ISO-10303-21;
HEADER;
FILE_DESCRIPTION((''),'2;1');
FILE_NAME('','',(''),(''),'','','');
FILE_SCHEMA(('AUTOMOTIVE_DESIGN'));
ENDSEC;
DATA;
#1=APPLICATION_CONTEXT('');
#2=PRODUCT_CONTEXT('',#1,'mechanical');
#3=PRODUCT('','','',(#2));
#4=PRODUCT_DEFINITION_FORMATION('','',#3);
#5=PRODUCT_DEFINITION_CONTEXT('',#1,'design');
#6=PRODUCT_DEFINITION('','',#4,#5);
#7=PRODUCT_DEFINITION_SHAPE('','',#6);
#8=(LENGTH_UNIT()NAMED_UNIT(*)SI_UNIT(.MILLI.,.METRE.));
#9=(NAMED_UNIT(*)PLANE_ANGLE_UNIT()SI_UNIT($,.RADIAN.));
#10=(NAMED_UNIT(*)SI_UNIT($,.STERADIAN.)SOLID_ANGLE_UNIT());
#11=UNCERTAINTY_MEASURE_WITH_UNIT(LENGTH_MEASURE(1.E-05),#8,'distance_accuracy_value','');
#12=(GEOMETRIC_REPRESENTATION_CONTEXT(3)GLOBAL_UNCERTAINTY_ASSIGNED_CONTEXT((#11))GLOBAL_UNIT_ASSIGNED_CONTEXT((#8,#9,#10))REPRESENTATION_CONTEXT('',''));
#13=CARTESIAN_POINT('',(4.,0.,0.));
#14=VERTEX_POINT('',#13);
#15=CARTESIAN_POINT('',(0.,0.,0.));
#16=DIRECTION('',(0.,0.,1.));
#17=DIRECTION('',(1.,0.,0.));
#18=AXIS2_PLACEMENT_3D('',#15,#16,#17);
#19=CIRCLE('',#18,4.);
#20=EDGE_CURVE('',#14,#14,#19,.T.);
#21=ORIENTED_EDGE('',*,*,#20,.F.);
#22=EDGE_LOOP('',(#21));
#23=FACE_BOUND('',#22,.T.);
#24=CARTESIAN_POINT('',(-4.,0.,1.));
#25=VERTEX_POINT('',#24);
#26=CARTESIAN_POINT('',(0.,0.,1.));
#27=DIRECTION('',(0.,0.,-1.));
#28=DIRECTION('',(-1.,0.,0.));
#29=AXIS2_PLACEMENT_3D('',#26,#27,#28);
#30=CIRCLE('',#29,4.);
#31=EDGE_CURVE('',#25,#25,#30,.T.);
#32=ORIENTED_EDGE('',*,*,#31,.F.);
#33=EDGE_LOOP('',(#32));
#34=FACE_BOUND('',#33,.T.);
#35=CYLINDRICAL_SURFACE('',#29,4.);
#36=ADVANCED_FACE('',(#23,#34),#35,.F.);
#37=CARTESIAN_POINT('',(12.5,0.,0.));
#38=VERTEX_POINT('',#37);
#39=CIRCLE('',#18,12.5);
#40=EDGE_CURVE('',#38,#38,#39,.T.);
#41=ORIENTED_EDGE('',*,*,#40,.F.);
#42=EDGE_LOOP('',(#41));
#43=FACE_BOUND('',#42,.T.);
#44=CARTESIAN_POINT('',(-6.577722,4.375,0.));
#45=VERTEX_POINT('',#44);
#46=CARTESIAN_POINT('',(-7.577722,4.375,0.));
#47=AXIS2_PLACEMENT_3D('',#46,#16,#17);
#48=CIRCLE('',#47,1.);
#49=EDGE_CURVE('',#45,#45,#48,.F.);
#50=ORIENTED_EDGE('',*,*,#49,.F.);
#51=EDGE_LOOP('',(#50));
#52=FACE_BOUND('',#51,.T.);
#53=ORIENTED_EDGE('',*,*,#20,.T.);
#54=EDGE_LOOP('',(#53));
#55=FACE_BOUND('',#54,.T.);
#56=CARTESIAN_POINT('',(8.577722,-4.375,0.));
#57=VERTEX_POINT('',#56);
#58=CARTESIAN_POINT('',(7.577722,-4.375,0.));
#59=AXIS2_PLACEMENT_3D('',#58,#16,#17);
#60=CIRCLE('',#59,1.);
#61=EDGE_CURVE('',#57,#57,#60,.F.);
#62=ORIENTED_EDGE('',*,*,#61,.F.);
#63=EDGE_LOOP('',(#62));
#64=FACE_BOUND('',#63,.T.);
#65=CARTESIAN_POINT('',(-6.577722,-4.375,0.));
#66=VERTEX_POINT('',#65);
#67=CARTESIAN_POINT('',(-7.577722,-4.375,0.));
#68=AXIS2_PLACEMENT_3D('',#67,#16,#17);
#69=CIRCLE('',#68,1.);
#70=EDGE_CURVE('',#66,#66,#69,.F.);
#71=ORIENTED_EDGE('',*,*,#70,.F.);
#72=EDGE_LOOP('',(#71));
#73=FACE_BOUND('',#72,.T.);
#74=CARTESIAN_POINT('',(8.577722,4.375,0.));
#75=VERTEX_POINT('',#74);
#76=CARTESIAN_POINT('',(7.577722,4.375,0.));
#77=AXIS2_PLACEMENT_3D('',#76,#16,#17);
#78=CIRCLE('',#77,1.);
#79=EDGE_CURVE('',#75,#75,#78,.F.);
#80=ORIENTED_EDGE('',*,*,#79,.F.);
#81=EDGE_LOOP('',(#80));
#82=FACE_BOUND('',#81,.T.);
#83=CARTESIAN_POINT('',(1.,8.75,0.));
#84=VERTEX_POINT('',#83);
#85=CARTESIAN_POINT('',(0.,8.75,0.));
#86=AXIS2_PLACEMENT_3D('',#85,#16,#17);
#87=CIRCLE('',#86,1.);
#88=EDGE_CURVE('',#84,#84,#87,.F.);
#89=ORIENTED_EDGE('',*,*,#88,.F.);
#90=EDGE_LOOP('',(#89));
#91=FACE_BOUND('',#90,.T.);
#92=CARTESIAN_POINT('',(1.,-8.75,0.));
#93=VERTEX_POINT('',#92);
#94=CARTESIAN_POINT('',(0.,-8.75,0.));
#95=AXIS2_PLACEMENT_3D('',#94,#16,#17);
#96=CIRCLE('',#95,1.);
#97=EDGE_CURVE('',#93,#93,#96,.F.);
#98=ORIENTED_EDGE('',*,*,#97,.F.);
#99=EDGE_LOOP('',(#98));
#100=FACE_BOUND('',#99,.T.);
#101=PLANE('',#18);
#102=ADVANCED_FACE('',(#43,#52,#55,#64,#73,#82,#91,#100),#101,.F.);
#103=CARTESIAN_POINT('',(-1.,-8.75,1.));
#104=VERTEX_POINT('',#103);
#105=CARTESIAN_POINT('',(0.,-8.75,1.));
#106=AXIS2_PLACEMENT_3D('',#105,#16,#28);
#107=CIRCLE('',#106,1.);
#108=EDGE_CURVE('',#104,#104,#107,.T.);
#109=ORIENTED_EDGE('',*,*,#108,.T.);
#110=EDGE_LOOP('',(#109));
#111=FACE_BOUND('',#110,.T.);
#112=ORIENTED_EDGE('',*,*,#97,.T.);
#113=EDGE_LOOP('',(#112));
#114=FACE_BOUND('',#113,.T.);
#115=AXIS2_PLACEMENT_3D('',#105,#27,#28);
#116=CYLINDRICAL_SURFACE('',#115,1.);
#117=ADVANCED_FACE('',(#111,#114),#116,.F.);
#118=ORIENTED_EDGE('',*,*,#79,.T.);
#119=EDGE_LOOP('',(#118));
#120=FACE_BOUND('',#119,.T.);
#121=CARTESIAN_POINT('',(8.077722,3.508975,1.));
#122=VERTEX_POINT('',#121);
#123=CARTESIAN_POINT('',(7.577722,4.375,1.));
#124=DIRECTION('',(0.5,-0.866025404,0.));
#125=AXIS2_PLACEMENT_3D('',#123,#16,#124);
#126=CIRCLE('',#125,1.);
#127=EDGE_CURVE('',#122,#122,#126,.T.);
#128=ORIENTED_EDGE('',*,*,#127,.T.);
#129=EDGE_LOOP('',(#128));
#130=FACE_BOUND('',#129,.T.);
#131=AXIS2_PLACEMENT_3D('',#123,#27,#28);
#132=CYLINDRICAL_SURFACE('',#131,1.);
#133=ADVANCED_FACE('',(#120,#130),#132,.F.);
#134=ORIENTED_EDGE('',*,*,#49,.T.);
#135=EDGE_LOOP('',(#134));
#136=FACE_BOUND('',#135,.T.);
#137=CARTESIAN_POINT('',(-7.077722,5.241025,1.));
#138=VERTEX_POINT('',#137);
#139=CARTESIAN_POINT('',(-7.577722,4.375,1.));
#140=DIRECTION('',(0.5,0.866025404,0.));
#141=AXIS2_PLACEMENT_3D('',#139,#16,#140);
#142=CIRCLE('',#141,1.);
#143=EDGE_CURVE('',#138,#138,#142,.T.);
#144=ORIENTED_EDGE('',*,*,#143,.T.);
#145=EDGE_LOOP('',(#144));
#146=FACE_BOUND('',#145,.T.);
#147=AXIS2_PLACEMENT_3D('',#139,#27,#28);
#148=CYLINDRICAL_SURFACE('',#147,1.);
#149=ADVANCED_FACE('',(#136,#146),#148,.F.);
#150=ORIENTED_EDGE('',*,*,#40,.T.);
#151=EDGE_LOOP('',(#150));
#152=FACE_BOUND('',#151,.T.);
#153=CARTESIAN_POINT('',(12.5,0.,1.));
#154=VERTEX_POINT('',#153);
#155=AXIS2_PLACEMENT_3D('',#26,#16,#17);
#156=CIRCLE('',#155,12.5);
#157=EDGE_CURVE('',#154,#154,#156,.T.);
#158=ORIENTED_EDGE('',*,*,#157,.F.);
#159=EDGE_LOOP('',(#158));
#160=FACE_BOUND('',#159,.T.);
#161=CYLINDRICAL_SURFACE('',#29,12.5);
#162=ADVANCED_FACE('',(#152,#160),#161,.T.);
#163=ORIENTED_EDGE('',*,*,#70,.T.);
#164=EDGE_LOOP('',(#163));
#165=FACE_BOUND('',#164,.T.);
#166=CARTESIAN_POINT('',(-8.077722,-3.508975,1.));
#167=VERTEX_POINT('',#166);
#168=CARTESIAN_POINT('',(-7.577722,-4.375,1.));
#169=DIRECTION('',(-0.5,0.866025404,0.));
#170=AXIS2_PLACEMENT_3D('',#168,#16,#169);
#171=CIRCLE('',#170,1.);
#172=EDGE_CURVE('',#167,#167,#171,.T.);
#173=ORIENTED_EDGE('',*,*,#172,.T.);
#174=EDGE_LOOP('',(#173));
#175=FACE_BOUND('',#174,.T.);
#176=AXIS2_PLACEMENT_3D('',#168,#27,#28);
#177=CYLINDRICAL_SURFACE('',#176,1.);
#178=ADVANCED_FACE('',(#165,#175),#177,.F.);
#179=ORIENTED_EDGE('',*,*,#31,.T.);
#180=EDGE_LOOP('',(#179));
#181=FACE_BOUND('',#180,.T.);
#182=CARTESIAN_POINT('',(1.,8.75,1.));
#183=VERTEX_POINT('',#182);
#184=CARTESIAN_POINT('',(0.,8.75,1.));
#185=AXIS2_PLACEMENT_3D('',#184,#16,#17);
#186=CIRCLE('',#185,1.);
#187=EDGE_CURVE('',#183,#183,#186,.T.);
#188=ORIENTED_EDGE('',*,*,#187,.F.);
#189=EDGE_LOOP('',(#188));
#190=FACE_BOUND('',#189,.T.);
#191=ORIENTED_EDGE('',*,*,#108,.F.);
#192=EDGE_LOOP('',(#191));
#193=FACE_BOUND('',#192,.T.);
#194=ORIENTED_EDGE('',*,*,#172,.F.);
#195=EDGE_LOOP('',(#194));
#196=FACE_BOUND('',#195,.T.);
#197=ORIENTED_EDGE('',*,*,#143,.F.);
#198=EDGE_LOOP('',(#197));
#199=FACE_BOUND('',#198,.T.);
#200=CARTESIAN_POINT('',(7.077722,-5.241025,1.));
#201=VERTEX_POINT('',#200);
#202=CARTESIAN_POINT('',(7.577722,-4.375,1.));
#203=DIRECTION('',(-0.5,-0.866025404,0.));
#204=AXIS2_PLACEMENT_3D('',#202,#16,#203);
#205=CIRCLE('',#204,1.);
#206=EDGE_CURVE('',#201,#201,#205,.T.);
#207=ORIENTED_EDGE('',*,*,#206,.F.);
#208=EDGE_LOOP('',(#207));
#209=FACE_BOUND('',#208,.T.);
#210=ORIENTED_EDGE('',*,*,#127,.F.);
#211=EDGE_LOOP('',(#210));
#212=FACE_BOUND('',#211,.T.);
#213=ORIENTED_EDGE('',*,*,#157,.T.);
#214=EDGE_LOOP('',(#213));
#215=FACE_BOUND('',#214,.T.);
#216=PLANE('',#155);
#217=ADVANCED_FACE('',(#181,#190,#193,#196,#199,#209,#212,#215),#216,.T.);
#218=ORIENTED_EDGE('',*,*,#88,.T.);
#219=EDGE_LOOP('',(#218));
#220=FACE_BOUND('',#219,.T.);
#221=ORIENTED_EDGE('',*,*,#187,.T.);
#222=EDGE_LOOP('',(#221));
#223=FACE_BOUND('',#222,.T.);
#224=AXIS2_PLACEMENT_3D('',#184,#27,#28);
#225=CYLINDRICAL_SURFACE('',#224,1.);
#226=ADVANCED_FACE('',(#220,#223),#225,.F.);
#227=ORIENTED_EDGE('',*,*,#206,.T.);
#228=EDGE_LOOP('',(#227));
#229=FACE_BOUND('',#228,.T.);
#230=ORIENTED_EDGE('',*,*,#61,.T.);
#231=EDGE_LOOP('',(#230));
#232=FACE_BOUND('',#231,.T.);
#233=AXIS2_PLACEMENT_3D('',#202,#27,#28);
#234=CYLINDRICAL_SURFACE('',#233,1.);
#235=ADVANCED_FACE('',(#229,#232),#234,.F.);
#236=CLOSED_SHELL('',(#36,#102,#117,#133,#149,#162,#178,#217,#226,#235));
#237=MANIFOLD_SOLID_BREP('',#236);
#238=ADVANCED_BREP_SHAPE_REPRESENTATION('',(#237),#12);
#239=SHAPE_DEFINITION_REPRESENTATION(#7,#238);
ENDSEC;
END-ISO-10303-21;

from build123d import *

# Parameters (mm, degrees)
SKETCH1_R               = 12.5
BOSS_EXTRUDE1_DEPTH     = 1
CUT_EXTRUDE2_START      = -2
SKETCH2_R               = 1
CUT_EXTRUDE2_DEPTH      = 20.70593121
CIRPATTERN1_COUNT       = 6
CUT_EXTRUDE3_DEPTH      = 18.70593121
CUT_EXTRUDE3_DEPTH_BACK = 18.70593121
SKETCH4_R               = 4


with BuildPart() as part:
    # Sketch1 → Boss-Extrude1 (new body)
    with BuildSketch(Plane.XY):
        Circle(SKETCH1_R)
    extrude(amount=BOSS_EXTRUDE1_DEPTH)

    # Sketch2 → Cut-Extrude2 (cut)
    with BuildSketch(Plane.XY.offset(CUT_EXTRUDE2_START)):
        with Locations((0, 8.75)):
            Circle(SKETCH2_R)
    cut_extrude2 = extrude(amount=CUT_EXTRUDE2_DEPTH, mode=Mode.SUBTRACT)

    # CirPattern1: Cut-Extrude2 ×6 about axis
    cirpattern1_axis = Axis((0, 0, 0), (0, 0, 1))
    for i in range(1, CIRPATTERN1_COUNT):
        add(cut_extrude2.rotate(cirpattern1_axis, i * 360 / CIRPATTERN1_COUNT), mode=Mode.SUBTRACT)

    # Sketch4 → Cut-Extrude3 (cut, two sides: drawn at the far end of the back side and taken through both)
    with BuildSketch(Plane(origin=(0, 0, 0), x_dir=(-1, 0, 0), z_dir=(0, 0, -1)).offset(-CUT_EXTRUDE3_DEPTH_BACK)):
        Circle(SKETCH4_R)
    extrude(amount=CUT_EXTRUDE3_DEPTH + CUT_EXTRUDE3_DEPTH_BACK, mode=Mode.SUBTRACT)


solid = part.part
